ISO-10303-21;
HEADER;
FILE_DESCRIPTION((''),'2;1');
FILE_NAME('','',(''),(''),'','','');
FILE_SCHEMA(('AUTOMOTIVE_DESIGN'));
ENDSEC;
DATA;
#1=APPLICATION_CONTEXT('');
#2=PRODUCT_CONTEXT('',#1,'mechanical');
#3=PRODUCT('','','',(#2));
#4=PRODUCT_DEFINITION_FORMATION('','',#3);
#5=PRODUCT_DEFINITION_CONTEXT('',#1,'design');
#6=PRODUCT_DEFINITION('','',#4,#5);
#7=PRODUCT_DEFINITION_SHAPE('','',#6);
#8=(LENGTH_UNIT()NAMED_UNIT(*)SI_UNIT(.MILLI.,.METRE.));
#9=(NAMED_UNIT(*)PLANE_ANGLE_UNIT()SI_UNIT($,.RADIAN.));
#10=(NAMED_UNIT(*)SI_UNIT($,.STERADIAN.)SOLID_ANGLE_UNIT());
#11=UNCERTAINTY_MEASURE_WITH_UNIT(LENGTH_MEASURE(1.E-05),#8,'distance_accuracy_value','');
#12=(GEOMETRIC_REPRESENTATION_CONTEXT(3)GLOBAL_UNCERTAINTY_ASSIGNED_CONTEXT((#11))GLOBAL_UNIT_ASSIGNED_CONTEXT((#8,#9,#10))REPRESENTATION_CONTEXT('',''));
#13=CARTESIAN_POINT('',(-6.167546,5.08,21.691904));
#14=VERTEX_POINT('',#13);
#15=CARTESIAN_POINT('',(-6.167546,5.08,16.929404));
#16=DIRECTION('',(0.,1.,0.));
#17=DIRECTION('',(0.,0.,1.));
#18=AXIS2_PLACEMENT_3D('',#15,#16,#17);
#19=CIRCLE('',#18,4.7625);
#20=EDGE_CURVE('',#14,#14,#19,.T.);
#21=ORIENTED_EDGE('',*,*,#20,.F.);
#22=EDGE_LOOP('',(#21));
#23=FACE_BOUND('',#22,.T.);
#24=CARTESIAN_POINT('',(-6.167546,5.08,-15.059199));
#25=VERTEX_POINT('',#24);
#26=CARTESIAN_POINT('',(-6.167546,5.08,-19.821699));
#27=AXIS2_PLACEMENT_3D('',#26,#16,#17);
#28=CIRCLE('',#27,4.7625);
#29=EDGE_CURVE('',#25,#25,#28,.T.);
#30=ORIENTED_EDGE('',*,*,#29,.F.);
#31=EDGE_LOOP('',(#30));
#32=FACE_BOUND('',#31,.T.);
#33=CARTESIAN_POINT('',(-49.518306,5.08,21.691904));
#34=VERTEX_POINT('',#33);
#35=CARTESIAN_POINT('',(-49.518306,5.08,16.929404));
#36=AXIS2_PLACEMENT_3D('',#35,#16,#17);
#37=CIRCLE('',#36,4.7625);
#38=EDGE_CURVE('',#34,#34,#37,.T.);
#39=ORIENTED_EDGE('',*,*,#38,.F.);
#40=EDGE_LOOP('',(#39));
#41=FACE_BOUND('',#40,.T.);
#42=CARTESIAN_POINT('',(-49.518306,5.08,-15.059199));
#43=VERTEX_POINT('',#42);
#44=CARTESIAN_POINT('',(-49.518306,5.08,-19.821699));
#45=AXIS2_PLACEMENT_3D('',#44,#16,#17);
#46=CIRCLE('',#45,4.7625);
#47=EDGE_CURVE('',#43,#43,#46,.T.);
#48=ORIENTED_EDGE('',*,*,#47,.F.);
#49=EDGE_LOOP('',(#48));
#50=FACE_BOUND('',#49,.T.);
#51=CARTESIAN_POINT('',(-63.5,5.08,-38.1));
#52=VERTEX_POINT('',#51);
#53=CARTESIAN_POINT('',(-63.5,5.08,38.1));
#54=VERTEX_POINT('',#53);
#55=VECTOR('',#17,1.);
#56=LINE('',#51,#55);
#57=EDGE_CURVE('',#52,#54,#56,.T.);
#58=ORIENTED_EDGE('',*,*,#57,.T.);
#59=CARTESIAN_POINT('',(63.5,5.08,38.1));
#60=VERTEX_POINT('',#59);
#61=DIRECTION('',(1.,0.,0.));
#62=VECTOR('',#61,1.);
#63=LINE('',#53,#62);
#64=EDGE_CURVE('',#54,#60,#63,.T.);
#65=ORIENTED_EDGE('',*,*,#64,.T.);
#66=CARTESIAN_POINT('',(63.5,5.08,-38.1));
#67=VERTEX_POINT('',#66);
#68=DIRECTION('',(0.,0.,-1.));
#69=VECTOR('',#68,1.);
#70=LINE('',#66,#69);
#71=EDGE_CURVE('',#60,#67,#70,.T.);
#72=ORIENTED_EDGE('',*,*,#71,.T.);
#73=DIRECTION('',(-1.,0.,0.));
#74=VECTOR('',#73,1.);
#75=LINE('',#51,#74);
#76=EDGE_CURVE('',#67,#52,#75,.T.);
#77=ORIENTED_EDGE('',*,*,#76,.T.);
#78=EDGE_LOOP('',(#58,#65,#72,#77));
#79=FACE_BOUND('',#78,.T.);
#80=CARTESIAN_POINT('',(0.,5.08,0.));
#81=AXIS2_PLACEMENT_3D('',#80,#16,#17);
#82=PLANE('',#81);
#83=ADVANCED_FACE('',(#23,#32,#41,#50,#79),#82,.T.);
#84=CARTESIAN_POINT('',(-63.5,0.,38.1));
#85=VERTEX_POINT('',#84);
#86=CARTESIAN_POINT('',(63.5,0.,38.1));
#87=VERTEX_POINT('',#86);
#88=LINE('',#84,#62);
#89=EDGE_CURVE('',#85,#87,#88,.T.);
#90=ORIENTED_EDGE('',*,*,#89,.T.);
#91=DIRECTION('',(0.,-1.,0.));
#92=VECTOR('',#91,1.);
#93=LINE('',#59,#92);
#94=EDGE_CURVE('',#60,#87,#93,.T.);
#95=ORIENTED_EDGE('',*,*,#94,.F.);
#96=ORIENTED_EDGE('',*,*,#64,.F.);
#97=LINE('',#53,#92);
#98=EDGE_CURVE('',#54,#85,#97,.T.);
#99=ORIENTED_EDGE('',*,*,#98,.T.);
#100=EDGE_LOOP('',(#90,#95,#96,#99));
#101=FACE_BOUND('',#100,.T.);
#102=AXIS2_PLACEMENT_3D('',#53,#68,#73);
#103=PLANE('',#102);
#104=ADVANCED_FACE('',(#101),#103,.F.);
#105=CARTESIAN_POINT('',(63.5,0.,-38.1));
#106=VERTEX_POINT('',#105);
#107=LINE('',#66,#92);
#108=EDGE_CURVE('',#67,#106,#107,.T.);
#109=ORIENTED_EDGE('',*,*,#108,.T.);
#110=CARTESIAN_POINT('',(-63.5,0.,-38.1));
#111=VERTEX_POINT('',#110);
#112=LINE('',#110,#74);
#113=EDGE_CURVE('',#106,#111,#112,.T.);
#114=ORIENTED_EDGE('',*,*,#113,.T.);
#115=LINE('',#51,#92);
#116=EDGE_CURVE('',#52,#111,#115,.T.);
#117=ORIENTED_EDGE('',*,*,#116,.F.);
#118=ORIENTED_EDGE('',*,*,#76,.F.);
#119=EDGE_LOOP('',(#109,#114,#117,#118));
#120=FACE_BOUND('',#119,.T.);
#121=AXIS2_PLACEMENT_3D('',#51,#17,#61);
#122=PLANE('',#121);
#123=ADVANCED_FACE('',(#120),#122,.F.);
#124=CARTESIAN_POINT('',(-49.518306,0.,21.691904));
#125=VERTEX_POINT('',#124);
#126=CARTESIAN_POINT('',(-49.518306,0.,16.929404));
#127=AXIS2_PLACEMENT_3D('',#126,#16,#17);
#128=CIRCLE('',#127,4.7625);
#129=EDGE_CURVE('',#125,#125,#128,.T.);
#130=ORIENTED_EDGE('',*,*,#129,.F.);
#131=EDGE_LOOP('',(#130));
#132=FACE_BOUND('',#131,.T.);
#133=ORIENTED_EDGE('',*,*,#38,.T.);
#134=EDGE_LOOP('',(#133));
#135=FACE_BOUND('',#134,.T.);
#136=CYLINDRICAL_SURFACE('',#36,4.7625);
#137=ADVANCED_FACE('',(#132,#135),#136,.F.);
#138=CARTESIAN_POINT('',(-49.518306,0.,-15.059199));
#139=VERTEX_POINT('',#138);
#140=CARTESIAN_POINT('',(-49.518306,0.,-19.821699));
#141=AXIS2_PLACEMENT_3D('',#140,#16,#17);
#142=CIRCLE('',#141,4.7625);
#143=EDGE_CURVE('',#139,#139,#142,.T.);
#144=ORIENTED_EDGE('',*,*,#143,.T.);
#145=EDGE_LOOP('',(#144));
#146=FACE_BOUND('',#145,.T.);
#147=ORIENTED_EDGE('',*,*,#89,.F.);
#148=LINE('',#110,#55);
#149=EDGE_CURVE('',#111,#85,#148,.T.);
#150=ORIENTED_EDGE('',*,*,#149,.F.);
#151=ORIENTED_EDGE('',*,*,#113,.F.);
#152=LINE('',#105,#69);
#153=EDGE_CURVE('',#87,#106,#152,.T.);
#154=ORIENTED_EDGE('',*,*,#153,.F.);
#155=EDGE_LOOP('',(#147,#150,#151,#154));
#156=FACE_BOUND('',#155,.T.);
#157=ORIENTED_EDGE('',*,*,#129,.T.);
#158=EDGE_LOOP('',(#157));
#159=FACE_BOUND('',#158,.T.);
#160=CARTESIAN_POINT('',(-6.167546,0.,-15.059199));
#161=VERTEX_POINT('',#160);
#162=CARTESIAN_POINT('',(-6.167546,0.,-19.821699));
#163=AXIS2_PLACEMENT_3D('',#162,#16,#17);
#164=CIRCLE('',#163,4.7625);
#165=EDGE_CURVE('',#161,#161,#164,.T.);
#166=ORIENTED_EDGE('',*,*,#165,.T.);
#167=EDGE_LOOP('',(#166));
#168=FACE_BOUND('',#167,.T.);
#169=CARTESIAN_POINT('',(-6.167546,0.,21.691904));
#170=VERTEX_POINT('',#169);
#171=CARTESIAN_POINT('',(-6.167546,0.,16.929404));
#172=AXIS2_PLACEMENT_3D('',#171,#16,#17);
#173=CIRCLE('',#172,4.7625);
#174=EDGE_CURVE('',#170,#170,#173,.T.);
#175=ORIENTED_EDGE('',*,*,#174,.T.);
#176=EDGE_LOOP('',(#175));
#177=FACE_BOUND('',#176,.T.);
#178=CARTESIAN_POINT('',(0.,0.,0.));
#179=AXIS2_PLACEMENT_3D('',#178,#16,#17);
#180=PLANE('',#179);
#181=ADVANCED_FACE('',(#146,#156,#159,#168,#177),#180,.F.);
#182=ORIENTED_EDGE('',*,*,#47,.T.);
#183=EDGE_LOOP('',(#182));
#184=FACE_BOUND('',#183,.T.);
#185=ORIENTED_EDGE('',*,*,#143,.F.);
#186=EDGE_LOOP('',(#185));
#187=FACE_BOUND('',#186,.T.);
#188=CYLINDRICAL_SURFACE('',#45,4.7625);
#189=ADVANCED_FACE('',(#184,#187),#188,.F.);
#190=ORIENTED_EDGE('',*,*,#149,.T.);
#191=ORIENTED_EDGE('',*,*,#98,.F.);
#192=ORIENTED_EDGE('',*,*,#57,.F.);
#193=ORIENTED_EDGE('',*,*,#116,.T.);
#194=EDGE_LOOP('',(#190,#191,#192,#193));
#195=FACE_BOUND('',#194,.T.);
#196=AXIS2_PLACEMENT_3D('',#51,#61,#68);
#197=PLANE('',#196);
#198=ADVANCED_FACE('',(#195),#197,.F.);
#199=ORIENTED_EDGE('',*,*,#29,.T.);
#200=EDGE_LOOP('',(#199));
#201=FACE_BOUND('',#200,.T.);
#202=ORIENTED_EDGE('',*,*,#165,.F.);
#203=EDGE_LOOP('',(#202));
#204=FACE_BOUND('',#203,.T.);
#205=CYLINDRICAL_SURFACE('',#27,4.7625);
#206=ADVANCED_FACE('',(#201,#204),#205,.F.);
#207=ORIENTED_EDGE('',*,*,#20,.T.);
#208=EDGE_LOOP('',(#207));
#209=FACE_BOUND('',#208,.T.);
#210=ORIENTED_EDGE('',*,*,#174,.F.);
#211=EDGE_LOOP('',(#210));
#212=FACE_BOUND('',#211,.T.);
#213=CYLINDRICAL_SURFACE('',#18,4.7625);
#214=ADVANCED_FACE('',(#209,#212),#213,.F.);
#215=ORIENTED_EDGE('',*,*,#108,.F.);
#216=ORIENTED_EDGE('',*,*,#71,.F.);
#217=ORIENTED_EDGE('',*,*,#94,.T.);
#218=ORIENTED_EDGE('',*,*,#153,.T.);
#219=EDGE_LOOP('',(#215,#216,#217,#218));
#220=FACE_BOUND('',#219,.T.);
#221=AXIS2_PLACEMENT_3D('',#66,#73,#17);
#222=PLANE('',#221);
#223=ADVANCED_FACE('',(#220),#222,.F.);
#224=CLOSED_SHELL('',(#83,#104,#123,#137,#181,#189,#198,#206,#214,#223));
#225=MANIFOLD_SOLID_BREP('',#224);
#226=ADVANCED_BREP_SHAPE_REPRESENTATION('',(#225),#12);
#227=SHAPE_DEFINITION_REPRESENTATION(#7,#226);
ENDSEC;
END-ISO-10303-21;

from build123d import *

# Parameters (mm, degrees)
SKETCH1_W                    = 127
SKETCH1_H                    = 76.2
BOSS_EXTRUDE1_DEPTH          = 5.08
F_3_8_0_375_DIAMETER_HOLE1_D = 9.525


with BuildPart() as part:
    # Sketch1 → Boss-Extrude1 (new body)
    with BuildSketch(Plane(origin=(0, 0, 0), x_dir=(1, 0, 0), z_dir=(0, 1, 0))):
        Rectangle(SKETCH1_W, SKETCH1_H)
    extrude(amount=BOSS_EXTRUDE1_DEPTH)

    # 3/8 (0.375) Diameter Hole1 (through all)
    with Locations(Plane(origin=(0, 5.08, 0), x_dir=(-1, 0, 0), z_dir=(0, 1, 0))):
        with Locations((49.518306376, -19.821698769), (49.518306376, 16.929403598), (6.167545908, 16.929403598), (6.167545908, -19.821698769)):
            Hole(F_3_8_0_375_DIAMETER_HOLE1_D / 2)


solid = part.part
